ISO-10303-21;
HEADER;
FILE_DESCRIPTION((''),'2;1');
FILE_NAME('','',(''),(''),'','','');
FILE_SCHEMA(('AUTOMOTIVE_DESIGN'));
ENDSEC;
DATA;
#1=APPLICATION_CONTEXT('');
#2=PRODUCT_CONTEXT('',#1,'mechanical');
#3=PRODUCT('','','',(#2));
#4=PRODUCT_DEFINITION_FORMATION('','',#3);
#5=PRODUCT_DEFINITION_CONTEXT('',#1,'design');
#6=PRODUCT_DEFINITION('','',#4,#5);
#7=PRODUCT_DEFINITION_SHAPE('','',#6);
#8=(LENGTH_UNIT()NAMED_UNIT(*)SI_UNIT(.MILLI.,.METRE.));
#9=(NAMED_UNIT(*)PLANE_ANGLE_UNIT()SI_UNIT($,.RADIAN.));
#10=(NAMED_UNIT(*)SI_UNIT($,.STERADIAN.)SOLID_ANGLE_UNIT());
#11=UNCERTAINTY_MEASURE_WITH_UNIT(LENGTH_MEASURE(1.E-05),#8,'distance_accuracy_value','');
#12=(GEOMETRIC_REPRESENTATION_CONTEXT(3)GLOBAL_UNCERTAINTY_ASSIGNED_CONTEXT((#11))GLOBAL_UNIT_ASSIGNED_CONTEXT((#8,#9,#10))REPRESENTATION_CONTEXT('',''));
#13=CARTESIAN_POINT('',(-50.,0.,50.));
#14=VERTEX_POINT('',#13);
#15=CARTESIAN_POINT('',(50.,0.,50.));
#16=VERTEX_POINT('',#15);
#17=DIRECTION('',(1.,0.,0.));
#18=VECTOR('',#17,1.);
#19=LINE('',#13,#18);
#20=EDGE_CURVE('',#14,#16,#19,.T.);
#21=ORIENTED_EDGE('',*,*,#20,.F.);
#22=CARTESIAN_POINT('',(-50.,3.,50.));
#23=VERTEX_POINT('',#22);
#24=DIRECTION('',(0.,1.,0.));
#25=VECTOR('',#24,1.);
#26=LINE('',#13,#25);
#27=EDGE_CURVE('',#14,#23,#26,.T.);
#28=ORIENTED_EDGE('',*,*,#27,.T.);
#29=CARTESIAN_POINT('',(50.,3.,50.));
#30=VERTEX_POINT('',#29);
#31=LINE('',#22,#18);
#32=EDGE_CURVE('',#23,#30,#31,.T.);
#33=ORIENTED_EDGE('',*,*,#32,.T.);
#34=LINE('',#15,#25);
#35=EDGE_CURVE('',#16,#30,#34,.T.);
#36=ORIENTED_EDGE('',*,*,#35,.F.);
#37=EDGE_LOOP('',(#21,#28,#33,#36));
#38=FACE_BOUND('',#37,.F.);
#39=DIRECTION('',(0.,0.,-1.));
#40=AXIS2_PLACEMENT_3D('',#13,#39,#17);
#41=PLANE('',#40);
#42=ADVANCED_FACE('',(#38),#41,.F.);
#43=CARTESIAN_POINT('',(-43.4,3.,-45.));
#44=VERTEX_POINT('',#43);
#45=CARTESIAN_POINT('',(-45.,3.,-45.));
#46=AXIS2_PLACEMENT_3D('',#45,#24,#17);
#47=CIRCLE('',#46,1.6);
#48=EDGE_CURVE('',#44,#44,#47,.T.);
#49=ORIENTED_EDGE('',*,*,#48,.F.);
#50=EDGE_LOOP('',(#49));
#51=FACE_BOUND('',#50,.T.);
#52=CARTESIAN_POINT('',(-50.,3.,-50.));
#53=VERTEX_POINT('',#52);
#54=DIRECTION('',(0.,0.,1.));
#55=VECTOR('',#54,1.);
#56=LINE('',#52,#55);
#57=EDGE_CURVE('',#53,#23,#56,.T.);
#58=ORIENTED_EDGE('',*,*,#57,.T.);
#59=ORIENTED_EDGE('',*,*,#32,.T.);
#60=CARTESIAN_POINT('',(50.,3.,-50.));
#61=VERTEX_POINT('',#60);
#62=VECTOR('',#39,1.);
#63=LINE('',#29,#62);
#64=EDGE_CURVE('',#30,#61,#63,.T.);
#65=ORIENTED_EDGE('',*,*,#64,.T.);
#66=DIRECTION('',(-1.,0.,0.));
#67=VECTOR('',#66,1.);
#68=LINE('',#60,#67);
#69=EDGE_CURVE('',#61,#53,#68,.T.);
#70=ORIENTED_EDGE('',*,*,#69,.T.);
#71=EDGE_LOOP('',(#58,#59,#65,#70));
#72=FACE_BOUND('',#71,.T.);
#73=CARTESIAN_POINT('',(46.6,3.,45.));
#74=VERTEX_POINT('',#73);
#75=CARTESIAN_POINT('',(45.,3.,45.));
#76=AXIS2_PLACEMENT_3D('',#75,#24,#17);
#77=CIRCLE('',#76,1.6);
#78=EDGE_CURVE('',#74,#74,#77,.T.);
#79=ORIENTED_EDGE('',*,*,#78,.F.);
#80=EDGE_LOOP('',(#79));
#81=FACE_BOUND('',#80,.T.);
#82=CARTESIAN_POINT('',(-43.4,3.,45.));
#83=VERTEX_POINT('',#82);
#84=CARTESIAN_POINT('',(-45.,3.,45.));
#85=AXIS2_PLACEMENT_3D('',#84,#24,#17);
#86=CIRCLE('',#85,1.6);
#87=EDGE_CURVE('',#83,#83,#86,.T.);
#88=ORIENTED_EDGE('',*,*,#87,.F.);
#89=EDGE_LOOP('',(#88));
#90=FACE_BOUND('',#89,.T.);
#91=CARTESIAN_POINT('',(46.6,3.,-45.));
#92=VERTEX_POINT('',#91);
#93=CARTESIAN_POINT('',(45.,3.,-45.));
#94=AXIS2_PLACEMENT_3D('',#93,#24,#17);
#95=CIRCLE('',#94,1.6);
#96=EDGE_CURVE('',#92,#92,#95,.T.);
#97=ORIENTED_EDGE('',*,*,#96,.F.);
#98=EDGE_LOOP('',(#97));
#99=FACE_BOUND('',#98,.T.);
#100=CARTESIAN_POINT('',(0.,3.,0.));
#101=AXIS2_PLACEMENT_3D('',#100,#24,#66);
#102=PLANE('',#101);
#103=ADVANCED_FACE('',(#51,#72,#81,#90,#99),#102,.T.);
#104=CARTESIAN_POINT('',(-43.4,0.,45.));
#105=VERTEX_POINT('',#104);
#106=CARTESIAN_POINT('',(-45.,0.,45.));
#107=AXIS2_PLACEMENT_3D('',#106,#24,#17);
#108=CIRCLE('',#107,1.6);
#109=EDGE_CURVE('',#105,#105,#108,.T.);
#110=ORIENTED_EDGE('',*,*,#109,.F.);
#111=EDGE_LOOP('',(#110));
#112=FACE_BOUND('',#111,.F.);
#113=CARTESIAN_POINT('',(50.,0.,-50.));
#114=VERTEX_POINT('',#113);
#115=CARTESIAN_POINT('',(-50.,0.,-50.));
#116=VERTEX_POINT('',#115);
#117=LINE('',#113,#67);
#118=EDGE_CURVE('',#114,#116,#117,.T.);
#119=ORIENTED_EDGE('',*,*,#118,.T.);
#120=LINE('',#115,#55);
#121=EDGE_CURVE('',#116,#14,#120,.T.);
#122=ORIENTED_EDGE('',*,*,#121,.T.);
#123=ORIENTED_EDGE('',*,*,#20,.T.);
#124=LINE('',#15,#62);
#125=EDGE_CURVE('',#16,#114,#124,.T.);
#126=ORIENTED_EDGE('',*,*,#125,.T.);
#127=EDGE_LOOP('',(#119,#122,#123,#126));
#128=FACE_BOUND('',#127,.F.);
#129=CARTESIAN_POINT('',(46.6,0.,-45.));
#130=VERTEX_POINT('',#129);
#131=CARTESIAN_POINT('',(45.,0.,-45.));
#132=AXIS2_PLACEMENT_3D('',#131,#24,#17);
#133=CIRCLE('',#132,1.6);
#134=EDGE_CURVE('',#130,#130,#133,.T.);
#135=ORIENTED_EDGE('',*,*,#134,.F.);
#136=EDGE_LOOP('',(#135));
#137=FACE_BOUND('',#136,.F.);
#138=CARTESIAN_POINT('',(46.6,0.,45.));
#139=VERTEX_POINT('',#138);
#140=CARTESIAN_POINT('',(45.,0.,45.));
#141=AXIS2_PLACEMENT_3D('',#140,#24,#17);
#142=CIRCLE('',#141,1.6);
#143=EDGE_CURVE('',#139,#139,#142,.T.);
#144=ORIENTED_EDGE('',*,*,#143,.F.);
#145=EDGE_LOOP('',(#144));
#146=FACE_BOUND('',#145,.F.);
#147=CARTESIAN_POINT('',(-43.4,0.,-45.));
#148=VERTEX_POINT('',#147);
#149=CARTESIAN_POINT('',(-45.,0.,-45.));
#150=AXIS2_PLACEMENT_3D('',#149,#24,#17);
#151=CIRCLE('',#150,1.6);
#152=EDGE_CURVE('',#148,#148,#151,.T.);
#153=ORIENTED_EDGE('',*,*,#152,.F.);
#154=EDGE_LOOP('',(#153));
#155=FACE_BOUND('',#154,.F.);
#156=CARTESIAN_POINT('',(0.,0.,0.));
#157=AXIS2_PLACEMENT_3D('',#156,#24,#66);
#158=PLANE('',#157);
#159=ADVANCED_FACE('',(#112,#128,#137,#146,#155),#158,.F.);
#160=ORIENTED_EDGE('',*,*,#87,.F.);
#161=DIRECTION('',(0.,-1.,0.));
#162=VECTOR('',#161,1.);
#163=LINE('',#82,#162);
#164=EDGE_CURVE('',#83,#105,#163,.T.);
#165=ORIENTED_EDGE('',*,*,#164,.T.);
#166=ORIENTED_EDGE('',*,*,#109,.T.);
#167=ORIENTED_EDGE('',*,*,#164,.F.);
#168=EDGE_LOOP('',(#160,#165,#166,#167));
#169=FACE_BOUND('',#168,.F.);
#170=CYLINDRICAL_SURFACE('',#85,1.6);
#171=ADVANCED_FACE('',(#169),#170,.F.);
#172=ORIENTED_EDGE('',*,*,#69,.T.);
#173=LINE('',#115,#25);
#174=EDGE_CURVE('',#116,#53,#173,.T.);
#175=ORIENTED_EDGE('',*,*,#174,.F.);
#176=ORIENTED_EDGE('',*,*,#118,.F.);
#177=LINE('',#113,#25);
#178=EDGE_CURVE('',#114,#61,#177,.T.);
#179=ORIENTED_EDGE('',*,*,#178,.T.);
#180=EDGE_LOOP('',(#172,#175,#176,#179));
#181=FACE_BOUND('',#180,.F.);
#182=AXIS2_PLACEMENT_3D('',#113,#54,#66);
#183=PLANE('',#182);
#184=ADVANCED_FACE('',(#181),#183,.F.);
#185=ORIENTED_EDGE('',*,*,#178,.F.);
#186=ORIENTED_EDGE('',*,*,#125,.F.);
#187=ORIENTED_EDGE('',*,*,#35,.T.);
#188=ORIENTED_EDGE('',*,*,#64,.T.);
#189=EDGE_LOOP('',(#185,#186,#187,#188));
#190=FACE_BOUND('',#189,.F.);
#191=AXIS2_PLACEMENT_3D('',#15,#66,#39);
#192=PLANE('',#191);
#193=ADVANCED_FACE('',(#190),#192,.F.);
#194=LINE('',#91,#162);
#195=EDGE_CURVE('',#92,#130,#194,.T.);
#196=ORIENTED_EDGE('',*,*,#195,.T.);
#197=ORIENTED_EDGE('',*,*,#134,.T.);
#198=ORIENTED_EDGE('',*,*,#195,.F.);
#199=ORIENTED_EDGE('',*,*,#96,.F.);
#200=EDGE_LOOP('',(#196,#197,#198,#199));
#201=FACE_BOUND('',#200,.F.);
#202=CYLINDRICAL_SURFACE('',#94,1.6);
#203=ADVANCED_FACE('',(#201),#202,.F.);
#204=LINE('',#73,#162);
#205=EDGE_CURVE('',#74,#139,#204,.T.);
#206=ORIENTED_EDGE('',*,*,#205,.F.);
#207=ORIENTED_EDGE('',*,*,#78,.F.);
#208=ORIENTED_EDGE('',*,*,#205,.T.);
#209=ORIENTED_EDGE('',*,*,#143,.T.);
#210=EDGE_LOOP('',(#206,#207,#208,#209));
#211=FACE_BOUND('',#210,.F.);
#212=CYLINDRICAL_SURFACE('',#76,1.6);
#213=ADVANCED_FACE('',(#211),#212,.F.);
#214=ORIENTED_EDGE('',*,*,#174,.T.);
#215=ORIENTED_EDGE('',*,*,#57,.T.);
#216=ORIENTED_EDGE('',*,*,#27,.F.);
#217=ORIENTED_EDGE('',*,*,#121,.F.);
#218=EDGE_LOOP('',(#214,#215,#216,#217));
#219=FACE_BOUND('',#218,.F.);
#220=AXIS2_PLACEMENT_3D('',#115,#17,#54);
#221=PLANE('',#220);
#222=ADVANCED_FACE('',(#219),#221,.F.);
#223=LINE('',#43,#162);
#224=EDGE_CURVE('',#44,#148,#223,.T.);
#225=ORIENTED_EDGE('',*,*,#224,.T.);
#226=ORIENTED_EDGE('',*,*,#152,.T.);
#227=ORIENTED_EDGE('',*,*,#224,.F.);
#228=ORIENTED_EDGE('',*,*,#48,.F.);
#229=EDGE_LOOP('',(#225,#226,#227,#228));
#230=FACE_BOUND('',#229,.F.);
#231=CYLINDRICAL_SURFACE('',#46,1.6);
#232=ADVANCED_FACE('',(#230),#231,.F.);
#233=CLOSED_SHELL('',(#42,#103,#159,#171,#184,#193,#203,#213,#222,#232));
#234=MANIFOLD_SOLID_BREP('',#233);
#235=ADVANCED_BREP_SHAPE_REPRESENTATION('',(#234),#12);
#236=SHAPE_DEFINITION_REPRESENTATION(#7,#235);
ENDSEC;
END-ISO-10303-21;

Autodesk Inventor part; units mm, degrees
ref_plane "YZ Plane" through (0, 0, 0) normal (1, 0, 0) x (0, 1, 0)
ref_plane "XZ Plane" through (0, 0, 0) normal (0, 1, 0) x (-1, 0, 0)
ref_plane "XY Plane" through (0, 0, 0) normal (0, 0, 1) x (1, 0, 0)
sketch "Sketch1" plane through (0, 0, 0) normal (0, 1, 0) x (-1, 0, 0)
  line L0 (50, 50) -> (-50, 50)
  line L1 (-50, 50) -> (-50, -50)
  line L2 (-50, -50) -> (50, -50)
  line L3 (50, -50) -> (50, 50)
  line L4 (50, 50) -> (-50, -50) construction
  line L5 (-50, 50) -> (50, -50) construction
  point P0 (0, 0)
  dimension "d0" = 100
  dimension "d1" = 100
extrude "Extrusion1" add sketch "Sketch1" along normal blind 3
sketch "Sketch2" plane through (0, 3, 0) normal (0, 1, 0) x (1, 0, 0)
  circle A0 centre (-45, 45) radius 1.6
  line L0 (-50, 50) -> (-50, -50) projected
  line L1 (50, 50) -> (-50, 50) projected
  circle A1 centre (45, 45) radius 1.6
  circle A2 centre (45, -45) radius 1.6
  circle A3 centre (-45, -45) radius 1.6
  line L2 (50, -50) -> (50, 50) projected
  line L3 (-50, -50) -> (50, -50) projected
  point P0 (0, 0)
  dimension "d4" = 3.2
  dimension "d5" = 5
  dimension "d6" = 5
  dimension "d7" = 3.2
  dimension "d8" = 3.2
  dimension "d9" = 3.2
  dimension "d10" = 5
  dimension "d11" = 5
  dimension "d12" = 5
  dimension "d13" = 5
  dimension "d14" = 5
  dimension "d15" = 5
extrude "Extrusion2" cut sketch "Sketch2" against normal through all contours A0 | A1 | A2 | A3
properties part number "PCBV1" material "ABS Plastic"
